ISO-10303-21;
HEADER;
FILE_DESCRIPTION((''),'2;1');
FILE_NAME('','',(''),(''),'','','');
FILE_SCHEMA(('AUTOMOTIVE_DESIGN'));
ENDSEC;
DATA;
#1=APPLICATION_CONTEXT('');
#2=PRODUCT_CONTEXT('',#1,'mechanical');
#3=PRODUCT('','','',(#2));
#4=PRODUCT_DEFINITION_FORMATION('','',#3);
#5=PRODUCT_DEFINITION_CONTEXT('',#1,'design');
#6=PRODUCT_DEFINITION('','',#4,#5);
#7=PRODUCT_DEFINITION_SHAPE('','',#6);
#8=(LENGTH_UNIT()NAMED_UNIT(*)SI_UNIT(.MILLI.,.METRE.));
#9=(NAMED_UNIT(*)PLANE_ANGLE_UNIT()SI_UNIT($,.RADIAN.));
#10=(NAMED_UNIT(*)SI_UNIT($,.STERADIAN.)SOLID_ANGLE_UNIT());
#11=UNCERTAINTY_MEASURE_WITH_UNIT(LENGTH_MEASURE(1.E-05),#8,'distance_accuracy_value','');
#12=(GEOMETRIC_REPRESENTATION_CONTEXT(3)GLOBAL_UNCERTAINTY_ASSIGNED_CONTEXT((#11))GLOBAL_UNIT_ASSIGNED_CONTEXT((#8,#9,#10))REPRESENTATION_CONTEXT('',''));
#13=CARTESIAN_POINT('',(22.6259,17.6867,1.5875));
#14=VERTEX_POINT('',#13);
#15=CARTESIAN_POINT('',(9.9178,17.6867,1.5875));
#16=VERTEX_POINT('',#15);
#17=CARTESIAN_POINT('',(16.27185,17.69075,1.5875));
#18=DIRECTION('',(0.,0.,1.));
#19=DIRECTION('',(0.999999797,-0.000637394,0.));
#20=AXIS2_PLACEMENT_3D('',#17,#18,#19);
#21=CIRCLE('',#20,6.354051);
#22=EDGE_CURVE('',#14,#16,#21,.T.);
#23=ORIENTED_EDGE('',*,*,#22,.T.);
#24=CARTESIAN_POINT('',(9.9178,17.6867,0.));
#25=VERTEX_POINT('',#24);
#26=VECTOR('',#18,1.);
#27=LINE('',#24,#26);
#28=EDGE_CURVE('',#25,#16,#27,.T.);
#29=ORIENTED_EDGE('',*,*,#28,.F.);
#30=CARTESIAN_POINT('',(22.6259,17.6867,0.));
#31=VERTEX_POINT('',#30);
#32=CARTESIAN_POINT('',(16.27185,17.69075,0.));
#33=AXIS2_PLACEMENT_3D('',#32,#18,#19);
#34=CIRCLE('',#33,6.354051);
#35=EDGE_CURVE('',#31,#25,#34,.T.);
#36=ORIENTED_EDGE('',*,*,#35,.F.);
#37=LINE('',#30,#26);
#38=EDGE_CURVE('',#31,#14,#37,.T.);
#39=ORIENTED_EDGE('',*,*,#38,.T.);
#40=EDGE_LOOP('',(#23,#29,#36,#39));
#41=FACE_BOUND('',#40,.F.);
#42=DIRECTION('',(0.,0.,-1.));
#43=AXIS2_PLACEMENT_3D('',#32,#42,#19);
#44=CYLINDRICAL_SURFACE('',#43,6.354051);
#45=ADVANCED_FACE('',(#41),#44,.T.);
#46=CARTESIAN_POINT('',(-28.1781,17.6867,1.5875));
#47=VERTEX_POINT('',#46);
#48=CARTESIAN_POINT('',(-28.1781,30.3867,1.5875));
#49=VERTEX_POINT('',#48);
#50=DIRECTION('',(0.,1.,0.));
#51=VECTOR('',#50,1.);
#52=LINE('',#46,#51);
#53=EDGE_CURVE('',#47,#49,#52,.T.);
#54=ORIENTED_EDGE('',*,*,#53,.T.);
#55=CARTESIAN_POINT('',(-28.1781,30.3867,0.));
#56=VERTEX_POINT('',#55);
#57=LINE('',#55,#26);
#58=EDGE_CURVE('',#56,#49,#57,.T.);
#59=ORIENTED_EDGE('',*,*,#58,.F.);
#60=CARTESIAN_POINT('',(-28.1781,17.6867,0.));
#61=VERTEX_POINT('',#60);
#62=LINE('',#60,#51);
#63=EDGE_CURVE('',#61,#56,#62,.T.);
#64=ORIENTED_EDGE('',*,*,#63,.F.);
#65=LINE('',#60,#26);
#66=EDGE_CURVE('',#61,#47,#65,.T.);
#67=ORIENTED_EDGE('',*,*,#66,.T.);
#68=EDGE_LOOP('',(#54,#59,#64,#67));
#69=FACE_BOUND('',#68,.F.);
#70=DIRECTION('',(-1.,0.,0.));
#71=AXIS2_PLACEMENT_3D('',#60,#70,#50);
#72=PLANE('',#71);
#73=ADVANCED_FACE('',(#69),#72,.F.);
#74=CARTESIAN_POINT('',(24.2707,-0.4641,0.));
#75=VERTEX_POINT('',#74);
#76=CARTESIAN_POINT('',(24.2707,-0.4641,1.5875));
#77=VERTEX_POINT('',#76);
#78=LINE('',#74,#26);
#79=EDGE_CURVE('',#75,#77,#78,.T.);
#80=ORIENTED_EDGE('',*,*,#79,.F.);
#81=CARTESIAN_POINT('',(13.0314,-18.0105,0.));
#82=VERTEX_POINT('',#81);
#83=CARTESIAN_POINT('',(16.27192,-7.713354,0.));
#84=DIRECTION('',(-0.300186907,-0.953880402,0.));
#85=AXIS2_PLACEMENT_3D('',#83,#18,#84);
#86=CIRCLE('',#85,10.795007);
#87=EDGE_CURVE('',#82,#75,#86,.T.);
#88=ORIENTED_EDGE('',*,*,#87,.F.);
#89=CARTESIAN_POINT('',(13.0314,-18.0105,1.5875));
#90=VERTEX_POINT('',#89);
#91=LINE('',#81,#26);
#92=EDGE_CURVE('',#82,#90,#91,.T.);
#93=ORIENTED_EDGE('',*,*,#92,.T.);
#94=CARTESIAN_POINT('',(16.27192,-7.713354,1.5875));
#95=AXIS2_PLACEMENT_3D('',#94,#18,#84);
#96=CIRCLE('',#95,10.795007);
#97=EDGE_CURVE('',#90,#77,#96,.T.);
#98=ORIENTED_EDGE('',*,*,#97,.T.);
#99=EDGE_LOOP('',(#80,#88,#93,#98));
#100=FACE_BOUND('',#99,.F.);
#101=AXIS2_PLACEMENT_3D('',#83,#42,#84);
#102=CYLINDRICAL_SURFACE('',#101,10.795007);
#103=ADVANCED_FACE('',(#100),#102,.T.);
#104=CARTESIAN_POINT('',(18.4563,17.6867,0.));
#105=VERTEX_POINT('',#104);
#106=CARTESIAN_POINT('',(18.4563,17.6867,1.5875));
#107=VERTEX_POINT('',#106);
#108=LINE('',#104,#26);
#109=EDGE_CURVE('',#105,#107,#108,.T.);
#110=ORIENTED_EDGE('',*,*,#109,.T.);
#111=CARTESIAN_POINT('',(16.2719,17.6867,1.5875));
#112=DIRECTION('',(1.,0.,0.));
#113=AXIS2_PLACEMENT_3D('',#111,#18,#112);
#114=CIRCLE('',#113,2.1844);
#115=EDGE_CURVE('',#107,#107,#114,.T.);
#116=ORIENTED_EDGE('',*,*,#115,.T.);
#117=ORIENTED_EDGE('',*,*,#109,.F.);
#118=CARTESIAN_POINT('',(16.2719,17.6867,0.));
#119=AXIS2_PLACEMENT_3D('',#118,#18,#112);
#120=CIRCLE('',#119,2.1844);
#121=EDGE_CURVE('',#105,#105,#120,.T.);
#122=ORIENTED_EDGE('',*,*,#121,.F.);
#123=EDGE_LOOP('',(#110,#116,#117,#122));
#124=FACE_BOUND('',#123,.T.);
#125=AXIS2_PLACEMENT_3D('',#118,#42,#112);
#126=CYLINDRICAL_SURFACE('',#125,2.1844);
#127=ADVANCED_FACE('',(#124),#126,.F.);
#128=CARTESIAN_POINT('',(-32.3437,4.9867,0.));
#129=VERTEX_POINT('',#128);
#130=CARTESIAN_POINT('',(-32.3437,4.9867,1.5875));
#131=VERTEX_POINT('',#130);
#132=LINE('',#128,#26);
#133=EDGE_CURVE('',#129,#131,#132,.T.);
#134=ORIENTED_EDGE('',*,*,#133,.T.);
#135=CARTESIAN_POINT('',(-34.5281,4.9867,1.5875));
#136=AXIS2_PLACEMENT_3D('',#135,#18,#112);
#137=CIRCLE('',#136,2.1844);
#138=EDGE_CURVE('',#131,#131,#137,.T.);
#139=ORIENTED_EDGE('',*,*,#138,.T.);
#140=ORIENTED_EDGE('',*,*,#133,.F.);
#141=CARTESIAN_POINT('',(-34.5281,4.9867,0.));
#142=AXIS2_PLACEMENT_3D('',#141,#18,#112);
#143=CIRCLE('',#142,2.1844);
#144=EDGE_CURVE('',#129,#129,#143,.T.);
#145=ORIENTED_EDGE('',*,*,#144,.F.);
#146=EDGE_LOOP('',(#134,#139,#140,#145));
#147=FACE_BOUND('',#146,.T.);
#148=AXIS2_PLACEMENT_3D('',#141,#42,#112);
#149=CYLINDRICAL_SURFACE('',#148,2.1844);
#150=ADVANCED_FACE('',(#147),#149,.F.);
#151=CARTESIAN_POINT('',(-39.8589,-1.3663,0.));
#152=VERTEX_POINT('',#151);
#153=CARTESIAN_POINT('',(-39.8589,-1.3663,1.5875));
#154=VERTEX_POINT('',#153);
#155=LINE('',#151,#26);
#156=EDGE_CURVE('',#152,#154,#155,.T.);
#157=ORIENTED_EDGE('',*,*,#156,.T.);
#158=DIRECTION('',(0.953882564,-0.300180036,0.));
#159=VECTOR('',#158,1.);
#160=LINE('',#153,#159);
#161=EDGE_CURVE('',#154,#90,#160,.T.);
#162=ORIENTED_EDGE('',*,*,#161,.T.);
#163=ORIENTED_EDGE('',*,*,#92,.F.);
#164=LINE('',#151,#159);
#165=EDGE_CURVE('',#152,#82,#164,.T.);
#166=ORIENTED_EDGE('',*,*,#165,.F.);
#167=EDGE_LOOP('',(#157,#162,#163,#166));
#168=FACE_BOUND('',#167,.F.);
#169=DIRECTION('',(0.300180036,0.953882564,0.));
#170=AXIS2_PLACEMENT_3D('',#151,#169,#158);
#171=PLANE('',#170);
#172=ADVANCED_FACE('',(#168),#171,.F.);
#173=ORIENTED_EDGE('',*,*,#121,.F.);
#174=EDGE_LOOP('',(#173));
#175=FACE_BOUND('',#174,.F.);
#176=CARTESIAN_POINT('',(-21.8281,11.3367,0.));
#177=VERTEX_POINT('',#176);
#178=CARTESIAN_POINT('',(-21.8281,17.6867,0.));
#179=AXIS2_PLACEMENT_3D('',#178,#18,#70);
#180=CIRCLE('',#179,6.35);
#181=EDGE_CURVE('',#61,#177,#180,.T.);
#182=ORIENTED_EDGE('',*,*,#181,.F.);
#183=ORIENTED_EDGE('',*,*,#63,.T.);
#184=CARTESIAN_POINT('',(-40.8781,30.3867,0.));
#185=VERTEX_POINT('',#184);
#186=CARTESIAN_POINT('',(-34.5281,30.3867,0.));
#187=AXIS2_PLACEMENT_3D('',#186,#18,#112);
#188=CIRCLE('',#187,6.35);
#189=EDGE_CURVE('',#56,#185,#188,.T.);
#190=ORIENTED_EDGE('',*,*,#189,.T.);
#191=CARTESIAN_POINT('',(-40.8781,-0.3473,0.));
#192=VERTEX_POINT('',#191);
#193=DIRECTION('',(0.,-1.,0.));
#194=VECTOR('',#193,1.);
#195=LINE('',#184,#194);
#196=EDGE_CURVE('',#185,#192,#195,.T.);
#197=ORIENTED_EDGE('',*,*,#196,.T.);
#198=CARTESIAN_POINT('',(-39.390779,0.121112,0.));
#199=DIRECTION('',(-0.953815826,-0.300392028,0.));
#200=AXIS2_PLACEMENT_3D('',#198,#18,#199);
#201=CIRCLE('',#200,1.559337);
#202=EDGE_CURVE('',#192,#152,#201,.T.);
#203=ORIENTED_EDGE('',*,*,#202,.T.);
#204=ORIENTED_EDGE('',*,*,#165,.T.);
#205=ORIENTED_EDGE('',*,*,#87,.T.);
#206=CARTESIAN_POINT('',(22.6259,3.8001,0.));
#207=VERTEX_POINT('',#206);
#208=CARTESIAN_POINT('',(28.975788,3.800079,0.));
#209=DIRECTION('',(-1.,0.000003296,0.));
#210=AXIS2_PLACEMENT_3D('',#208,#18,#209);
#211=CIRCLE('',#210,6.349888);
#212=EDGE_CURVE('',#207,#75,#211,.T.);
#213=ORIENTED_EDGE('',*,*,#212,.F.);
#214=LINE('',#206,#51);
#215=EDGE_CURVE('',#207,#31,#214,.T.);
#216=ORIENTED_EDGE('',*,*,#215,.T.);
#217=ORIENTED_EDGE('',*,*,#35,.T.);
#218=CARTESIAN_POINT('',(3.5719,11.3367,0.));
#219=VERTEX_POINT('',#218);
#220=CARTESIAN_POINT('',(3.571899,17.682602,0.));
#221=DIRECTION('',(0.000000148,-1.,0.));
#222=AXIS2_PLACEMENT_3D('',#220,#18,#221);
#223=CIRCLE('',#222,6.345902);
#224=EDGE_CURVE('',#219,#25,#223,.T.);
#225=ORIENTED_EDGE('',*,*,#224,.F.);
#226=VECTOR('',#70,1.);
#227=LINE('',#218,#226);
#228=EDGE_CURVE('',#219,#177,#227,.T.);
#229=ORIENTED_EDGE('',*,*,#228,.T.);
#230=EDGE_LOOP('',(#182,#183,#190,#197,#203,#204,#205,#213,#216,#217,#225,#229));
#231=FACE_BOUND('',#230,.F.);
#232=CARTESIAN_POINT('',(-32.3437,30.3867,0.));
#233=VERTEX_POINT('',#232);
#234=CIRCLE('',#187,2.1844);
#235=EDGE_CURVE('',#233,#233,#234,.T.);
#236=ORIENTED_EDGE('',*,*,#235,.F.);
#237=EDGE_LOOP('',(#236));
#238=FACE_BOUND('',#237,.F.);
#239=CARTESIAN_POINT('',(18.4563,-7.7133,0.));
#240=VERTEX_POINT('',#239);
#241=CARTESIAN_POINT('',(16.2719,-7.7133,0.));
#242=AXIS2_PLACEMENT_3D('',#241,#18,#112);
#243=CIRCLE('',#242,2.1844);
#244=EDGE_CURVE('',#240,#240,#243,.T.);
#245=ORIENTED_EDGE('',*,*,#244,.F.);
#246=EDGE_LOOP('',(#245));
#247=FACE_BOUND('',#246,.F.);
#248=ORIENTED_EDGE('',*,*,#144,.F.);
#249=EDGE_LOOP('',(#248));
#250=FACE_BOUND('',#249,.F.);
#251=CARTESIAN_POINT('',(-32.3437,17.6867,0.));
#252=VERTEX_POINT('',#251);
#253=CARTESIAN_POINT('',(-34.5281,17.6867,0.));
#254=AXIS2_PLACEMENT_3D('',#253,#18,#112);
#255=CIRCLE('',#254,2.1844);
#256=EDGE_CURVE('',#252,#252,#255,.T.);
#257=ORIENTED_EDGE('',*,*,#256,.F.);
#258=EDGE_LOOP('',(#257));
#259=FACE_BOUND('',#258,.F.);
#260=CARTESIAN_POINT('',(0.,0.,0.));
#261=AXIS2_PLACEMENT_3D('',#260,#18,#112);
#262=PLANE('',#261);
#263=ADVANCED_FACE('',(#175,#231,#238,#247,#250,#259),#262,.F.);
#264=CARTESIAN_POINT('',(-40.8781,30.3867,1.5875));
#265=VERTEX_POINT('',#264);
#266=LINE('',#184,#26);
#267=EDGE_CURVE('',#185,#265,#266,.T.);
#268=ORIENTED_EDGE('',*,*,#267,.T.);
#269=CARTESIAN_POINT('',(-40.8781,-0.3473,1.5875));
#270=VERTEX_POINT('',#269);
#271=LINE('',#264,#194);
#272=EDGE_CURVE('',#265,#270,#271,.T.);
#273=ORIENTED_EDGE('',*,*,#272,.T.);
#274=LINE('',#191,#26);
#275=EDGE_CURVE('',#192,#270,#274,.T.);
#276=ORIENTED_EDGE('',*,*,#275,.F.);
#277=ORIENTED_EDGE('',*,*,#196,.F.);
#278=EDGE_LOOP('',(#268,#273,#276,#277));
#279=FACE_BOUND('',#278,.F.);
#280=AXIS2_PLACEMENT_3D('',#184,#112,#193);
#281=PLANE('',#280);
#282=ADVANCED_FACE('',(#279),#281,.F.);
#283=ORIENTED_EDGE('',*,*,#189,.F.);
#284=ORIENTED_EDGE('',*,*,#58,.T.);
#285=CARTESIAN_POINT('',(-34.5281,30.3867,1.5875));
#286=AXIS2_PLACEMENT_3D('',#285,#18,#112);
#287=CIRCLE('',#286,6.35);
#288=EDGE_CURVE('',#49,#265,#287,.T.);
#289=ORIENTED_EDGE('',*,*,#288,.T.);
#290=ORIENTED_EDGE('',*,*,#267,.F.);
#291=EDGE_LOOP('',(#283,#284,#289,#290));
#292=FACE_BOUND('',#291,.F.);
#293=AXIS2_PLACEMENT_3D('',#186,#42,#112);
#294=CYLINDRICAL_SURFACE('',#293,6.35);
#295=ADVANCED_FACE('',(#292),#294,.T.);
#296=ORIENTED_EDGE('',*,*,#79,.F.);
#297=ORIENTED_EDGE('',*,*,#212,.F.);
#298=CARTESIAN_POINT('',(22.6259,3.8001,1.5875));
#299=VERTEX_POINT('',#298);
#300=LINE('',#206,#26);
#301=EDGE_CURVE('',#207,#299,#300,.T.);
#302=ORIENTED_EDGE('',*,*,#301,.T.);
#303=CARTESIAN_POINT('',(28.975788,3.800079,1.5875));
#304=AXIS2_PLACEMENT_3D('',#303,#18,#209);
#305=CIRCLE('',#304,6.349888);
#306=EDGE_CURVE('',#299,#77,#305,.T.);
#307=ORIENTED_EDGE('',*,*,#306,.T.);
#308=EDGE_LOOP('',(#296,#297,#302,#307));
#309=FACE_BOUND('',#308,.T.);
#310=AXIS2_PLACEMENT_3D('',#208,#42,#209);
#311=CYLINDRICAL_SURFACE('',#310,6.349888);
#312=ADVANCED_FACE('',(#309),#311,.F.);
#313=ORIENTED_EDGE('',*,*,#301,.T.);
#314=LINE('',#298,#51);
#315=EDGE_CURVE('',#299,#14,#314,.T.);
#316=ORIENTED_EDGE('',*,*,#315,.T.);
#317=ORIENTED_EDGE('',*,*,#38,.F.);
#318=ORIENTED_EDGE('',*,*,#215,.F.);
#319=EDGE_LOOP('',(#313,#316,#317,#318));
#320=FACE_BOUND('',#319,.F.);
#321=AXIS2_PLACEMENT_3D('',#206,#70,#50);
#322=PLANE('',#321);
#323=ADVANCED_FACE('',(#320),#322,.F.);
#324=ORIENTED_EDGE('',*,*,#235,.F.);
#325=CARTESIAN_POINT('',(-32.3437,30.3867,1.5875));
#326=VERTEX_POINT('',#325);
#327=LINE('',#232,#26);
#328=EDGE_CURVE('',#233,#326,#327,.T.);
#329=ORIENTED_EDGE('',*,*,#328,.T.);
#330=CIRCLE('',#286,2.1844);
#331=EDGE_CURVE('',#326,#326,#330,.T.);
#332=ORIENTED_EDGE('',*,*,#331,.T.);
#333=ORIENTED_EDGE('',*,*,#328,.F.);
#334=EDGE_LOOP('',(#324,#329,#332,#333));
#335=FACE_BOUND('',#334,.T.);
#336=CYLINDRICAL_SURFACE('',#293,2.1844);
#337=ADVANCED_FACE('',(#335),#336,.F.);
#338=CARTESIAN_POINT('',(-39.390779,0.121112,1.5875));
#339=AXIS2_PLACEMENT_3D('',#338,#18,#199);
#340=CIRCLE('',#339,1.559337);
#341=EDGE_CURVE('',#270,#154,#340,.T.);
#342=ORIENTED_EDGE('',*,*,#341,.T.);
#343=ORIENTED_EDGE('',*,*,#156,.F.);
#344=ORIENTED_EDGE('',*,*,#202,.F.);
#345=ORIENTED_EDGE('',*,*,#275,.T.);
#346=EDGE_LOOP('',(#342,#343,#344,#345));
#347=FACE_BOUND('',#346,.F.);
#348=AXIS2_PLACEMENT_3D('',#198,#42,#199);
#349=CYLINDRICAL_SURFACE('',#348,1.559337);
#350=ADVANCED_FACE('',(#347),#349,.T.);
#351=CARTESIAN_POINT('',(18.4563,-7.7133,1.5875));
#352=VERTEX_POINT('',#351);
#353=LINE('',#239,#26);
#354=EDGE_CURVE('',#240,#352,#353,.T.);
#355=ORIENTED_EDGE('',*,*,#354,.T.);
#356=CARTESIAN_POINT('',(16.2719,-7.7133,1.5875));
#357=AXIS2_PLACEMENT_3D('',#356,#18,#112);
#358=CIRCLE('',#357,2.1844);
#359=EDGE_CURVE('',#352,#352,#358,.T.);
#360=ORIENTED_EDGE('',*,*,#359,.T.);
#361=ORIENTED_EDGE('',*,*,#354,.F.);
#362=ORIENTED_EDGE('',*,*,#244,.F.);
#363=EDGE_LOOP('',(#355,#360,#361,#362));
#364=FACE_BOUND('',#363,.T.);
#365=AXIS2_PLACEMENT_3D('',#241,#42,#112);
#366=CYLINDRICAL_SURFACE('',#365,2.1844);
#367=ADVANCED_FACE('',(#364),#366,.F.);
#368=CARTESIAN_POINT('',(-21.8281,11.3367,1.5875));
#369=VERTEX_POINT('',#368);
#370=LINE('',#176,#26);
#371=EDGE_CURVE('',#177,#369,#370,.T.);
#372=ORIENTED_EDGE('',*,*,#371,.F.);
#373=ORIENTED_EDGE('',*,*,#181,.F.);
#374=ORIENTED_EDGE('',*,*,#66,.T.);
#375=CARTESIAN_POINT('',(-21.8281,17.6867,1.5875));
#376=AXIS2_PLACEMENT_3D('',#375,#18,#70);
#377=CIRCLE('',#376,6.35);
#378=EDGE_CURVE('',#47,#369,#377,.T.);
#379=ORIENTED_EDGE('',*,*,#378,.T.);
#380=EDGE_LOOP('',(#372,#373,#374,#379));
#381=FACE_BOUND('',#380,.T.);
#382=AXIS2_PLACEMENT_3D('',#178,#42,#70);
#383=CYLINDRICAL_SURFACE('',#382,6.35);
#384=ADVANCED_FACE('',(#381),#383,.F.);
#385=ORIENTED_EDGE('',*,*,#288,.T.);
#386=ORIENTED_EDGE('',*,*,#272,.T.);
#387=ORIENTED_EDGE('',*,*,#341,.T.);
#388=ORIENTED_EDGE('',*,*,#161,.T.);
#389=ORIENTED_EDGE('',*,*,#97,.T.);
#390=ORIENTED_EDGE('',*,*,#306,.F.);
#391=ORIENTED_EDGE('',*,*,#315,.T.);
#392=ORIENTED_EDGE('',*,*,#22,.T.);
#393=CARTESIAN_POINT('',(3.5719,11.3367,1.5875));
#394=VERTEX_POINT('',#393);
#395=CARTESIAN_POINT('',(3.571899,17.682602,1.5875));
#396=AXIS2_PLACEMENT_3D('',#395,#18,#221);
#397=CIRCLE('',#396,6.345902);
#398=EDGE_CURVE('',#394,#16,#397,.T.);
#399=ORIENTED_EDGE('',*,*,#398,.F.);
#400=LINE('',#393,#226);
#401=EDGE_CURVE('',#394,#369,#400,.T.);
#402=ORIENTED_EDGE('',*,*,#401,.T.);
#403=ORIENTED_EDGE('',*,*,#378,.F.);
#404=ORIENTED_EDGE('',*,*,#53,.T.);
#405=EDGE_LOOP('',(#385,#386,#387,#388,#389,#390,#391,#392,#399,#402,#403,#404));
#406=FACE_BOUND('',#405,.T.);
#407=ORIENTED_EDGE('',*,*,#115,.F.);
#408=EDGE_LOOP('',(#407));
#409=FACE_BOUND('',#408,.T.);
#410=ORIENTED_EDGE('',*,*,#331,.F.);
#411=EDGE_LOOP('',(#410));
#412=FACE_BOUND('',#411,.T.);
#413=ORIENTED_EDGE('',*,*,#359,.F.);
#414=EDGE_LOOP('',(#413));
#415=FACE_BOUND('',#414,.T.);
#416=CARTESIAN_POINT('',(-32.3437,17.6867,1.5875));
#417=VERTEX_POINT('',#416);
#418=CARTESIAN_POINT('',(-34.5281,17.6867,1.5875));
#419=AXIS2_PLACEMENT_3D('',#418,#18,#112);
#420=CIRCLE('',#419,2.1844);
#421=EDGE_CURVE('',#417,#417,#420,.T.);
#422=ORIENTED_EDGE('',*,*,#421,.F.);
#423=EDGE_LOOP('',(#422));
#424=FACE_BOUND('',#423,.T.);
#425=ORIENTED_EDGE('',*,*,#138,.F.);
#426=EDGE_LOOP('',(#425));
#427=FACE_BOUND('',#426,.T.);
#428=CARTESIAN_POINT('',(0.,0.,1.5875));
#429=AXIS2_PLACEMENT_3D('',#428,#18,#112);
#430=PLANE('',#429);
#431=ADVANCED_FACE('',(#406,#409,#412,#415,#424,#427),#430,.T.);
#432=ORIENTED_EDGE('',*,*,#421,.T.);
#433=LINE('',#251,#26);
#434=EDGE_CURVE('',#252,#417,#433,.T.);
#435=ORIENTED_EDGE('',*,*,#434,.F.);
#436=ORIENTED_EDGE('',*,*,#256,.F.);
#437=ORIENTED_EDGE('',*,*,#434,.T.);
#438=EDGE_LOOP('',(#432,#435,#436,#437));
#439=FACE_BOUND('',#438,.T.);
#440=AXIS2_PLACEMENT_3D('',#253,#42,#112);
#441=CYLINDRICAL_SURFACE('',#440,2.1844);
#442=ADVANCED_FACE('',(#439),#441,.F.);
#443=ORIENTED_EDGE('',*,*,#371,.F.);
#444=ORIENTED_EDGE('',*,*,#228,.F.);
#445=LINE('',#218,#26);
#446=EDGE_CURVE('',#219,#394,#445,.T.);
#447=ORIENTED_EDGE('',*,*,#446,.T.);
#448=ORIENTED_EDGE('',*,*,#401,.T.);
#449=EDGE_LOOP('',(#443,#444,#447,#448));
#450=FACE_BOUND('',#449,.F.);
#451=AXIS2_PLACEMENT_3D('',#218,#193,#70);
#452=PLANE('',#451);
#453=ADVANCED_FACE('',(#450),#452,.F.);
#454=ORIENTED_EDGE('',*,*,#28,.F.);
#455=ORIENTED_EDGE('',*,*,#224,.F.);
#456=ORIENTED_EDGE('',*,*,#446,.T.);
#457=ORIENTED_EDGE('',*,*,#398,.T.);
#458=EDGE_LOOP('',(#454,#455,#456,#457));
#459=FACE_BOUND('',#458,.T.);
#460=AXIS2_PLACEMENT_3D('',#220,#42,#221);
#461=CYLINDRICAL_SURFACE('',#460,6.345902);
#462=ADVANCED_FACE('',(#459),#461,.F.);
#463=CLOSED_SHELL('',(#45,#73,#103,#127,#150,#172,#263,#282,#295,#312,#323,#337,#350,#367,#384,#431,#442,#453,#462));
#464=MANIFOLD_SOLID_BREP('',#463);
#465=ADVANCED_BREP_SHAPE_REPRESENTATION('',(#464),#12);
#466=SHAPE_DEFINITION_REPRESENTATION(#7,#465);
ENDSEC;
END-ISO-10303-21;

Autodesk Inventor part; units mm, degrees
ref_plane "YZ Plane" through (0, 0, 0) normal (1, 0, 0) x (0, 1, 0)
ref_plane "XZ Plane" through (0, 0, 0) normal (0, 1, 0) x (-1, 0, 0)
ref_plane "XY Plane" through (0, 0, 0) normal (0, 0, 1) x (1, 0, 0)
sketch "Sketch1" plane through (0, 0, 0) normal (0, 0, 1) x (1, 0, 0)
  line L0 (22.6259, 3.8001) -> (22.6259, 17.6867)
  arc A0 (22.6259, 3.8001) -> (24.2707, -0.4641) centre (28.9759, 3.8001) ccw
  line L1 (3.5719, 11.3367) -> (-21.8281, 11.3367)
  arc A1 (-28.1781, 17.6867) -> (-21.8281, 11.3367) centre (-21.8281, 17.6867) ccw
  line L2 (-39.8589, -1.3663) -> (13.0314, -18.0105)
  circle A2 centre (16.2719, -7.7133) radius 2.1844
  circle A3 centre (16.2719, 17.6867) radius 2.1844
  circle A4 centre (-34.5281, 4.9867) radius 2.1844
  arc A5 (13.0314, -18.0105) -> (24.2707, -0.4641) centre (16.2719, -7.7133) ccw
  arc A6 (-40.8781, -0.3473) -> (-39.8589, -1.3663) centre (-39.3908, 0.1211) ccw
  circle A7 centre (-34.5281, 30.3867) radius 2.1844
  line L3 (-28.1781, 17.6867) -> (-28.1781, 30.3867)
  line L4 (-40.8781, 30.3867) -> (-40.8781, -0.3473)
  arc A8 (-28.1781, 30.3867) -> (-40.8781, 30.3867) centre (-34.5281, 30.3867) ccw
  arc A9 (3.5719, 11.3367) -> (9.9178, 17.6867) centre (3.5719, 17.6826) ccw
  arc A10 (22.6259, 17.6867) -> (9.9178, 17.6867) centre (16.2719, 17.6908) ccw
  circle A11 centre (-34.5281, 17.6867) radius 2.1844
  point P0 (0, 0)
  dimension "d3" = 4.3688
extrude "Extrusion2" add sketch "Sketch1" along normal blind 1.5875
properties part number "backCorners"
